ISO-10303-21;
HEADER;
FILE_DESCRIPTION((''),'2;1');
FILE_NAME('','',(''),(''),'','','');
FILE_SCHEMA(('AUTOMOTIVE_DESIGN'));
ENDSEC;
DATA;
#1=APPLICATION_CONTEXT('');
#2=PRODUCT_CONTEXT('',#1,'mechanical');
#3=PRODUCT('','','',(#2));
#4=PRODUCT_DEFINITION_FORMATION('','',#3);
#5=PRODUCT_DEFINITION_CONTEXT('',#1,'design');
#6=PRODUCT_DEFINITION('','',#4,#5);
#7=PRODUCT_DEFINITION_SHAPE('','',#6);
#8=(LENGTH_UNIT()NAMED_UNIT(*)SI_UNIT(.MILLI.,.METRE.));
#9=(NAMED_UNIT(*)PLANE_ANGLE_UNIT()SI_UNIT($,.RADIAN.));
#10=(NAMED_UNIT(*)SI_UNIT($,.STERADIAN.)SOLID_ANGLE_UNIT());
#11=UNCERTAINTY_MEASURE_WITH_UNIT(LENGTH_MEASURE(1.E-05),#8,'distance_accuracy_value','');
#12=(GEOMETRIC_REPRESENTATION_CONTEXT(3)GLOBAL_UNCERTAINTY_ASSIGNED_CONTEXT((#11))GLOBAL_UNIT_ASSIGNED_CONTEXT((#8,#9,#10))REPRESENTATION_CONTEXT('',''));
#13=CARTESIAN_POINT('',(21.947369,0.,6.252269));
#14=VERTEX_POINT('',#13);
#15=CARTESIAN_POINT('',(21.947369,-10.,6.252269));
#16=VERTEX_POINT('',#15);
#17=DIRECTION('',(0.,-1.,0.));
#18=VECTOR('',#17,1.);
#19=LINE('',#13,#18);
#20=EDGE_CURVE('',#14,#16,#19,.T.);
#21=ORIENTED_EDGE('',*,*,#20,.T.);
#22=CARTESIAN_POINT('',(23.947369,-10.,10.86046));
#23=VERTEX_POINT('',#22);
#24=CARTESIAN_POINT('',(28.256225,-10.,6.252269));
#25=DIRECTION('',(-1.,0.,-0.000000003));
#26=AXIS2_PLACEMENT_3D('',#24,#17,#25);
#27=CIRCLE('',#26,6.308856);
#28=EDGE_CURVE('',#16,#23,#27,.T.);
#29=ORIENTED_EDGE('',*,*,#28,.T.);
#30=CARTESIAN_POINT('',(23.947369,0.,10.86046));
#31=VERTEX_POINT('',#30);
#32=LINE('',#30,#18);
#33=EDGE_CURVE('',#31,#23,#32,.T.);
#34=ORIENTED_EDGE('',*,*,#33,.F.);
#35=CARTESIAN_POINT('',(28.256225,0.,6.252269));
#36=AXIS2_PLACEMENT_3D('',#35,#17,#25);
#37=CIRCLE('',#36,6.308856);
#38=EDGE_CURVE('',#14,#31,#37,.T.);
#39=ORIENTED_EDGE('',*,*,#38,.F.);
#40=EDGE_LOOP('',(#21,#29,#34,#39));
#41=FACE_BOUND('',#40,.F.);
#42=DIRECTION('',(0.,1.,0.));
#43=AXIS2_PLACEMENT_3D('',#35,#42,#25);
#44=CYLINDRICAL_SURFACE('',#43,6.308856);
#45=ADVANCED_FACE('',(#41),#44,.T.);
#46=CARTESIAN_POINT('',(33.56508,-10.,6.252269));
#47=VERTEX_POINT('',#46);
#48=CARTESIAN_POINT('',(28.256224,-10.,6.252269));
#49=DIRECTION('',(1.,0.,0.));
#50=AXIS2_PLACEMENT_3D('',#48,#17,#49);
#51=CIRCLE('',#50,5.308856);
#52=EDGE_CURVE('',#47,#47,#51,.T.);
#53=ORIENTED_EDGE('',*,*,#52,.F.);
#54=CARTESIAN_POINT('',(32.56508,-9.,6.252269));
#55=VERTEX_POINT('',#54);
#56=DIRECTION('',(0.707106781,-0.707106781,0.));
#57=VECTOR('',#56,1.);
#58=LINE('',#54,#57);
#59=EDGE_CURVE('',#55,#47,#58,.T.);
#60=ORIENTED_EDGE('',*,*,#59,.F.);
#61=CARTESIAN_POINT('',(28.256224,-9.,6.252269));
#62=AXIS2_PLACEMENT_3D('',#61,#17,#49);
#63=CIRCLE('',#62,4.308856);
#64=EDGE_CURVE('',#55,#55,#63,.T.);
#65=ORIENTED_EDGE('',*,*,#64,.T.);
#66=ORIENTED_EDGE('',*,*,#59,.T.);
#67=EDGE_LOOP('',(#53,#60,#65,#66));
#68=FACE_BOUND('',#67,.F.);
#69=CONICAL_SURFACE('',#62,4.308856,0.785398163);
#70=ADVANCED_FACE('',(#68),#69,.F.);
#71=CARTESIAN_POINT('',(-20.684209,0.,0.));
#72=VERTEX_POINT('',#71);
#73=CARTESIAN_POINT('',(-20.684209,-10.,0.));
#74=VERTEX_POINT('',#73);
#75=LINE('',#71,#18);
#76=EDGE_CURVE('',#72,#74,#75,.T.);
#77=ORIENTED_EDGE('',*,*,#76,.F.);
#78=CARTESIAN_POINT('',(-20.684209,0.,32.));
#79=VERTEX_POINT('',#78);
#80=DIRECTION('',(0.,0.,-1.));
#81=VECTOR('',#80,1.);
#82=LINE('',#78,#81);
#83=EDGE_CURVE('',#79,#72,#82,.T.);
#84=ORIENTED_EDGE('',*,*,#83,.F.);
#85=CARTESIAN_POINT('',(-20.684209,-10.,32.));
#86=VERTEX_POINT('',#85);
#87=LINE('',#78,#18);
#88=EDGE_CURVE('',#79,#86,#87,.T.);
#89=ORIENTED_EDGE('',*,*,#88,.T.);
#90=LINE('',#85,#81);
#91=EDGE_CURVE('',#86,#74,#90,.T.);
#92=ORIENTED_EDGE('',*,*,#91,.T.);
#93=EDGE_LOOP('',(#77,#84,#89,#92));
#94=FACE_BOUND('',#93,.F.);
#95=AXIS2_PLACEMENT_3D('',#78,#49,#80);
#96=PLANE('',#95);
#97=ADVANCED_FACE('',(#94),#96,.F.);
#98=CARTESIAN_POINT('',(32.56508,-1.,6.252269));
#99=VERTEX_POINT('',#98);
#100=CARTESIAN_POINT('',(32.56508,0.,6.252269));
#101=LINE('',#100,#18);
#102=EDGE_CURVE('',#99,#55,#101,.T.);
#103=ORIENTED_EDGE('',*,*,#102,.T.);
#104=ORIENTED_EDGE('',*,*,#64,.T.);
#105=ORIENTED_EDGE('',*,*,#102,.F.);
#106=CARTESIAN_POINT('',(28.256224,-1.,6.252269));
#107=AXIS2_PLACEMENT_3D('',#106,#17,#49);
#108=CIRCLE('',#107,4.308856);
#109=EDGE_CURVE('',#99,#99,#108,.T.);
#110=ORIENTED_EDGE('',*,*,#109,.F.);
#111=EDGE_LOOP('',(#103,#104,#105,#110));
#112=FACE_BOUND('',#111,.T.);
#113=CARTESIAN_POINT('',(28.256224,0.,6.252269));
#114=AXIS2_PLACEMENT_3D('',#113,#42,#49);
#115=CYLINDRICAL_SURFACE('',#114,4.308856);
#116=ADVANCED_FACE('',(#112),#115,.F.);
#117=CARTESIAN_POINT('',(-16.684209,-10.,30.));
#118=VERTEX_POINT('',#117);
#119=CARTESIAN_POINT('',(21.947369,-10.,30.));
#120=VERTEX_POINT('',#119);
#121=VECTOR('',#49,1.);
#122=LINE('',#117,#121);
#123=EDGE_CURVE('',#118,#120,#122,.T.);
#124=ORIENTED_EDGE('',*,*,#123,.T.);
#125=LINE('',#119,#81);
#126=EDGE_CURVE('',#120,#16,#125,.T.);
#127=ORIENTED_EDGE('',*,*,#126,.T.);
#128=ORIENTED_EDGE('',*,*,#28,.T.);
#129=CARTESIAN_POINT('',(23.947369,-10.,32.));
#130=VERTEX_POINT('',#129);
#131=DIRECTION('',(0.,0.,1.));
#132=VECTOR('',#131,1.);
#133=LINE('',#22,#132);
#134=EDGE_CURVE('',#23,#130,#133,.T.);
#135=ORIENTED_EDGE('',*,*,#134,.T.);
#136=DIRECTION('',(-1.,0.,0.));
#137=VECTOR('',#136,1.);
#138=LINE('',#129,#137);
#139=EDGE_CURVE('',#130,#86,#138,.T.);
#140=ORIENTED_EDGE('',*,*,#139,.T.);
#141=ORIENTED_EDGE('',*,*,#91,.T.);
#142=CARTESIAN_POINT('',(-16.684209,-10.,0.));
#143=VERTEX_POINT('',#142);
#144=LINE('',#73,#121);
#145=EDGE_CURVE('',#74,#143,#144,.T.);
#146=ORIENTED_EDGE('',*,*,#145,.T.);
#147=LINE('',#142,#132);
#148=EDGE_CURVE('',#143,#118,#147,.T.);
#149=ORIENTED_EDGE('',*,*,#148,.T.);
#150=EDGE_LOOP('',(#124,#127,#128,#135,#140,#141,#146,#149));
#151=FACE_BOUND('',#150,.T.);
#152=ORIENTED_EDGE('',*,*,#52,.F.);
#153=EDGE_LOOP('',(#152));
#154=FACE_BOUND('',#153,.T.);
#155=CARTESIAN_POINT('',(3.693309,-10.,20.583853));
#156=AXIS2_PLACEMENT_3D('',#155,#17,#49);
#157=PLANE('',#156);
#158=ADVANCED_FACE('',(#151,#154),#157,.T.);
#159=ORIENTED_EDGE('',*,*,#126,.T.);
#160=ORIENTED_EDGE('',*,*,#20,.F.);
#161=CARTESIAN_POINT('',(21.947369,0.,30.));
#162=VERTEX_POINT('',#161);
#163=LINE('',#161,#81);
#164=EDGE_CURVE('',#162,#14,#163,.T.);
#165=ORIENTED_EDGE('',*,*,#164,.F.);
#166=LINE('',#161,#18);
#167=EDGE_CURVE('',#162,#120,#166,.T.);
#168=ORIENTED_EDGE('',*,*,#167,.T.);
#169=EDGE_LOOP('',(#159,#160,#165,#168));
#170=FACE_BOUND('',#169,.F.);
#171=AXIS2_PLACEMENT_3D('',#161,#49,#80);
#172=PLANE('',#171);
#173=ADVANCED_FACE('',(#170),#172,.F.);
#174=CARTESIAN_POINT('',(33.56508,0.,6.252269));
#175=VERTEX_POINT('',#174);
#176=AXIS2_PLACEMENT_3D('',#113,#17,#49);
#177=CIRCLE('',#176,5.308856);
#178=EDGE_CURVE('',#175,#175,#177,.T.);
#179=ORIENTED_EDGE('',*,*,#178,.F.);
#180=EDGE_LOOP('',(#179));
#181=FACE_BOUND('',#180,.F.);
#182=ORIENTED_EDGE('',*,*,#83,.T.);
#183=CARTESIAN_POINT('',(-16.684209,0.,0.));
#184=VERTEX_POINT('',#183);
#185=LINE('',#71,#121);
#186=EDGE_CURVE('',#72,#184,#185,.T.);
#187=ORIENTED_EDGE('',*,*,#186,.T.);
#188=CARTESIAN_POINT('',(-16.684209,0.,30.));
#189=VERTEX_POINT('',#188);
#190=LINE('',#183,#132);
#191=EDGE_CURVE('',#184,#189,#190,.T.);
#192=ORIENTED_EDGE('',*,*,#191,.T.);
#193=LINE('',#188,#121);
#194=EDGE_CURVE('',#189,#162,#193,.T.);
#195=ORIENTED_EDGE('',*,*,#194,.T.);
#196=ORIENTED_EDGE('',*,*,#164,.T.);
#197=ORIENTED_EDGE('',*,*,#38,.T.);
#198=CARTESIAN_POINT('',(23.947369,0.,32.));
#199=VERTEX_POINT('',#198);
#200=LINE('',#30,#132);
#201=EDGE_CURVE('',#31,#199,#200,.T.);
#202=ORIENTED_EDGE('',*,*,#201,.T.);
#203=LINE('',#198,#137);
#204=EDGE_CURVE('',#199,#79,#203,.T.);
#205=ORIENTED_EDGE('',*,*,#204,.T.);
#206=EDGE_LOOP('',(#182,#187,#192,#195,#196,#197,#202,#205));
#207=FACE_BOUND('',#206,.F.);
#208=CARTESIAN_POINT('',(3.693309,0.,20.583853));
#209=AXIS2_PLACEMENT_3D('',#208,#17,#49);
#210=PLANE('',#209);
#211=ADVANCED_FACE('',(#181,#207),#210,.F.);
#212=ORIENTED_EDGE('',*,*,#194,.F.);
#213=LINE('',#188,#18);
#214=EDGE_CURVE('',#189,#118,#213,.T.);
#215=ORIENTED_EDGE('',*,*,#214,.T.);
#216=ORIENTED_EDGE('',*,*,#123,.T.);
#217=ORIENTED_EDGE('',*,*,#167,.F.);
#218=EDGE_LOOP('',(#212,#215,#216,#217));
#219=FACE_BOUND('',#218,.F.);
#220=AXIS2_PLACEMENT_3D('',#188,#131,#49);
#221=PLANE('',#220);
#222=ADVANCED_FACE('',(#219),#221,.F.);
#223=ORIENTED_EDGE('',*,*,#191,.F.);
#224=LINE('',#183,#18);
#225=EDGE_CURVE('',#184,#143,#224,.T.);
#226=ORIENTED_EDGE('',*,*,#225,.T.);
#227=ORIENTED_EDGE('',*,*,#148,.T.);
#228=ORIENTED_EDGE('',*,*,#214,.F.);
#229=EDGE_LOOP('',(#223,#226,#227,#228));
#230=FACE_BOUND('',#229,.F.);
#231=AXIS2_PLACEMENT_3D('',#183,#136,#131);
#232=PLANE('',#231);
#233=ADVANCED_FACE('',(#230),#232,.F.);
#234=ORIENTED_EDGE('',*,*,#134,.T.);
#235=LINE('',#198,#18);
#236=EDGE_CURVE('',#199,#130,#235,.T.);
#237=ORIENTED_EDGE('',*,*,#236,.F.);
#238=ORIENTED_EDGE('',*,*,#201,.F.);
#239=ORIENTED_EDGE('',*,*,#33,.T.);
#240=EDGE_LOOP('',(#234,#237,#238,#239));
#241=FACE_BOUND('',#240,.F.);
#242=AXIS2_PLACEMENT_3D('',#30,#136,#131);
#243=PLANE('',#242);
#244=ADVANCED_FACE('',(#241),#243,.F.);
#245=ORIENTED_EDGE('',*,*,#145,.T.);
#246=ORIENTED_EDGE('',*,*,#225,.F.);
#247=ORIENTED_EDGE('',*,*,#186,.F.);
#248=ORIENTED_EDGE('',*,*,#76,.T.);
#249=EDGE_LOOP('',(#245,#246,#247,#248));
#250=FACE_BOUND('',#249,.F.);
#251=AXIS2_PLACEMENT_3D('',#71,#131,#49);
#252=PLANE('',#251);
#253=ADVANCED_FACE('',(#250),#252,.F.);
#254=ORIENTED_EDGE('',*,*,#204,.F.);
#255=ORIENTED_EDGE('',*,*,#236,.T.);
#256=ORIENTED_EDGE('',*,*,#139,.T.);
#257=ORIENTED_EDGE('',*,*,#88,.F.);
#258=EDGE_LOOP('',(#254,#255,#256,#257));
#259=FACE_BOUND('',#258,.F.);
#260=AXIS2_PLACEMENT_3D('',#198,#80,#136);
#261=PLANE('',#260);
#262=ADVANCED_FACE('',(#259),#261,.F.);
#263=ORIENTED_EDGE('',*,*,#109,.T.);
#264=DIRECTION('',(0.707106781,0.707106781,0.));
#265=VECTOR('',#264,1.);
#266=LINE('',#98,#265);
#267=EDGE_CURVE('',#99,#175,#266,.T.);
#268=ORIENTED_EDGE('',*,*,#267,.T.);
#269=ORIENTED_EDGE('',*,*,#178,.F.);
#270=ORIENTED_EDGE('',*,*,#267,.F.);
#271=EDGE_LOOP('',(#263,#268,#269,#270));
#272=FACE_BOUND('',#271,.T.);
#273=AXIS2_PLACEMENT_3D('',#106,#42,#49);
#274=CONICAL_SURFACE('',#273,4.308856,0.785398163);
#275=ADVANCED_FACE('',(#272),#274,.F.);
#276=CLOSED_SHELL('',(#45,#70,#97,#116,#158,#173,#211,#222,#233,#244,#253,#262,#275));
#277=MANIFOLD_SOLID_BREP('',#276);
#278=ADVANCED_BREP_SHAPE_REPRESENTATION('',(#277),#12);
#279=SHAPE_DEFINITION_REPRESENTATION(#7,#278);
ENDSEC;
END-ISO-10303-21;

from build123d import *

# Parameters (mm, degrees)
F0_R     = 4.308856
F1_DEPTH = 10
F2_SIZE  = 1


with BuildPart() as f1:
    # F0 (on Front) → F1 (new body)
    with BuildSketch(Plane.XZ):
        with BuildLine():
            Line((-20.684209, 0), (-16.684209, 0))
            Line((-16.684209, 0), (-16.684209, 30))
            Line((-16.684209, 30), (21.947369, 30))
            Line((21.947369, 30), (21.947369, 6.252269))
            ThreePointArc((21.947369, 6.252269), (34.043522, 3.740525), (23.947369, 10.86046))
            Line((23.947369, 10.86046), (23.947369, 32))
            Line((23.947369, 32), (-20.684209, 32))
            Line((-20.684209, 32), (-20.684209, 0))
        make_face()
        with Locations((28.256224, 6.252269)):
            Circle(F0_R, mode=Mode.SUBTRACT)
    extrude(amount=F1_DEPTH)

    # F2
    f2_edges = [f1.edges().sort_by_distance(p)[0] for p in [
        (23.947369, -10, 6.252269),
        (23.947369, 0, 6.252269),
    ]]
    chamfer(f2_edges, length=F2_SIZE)


solid = f1.part
